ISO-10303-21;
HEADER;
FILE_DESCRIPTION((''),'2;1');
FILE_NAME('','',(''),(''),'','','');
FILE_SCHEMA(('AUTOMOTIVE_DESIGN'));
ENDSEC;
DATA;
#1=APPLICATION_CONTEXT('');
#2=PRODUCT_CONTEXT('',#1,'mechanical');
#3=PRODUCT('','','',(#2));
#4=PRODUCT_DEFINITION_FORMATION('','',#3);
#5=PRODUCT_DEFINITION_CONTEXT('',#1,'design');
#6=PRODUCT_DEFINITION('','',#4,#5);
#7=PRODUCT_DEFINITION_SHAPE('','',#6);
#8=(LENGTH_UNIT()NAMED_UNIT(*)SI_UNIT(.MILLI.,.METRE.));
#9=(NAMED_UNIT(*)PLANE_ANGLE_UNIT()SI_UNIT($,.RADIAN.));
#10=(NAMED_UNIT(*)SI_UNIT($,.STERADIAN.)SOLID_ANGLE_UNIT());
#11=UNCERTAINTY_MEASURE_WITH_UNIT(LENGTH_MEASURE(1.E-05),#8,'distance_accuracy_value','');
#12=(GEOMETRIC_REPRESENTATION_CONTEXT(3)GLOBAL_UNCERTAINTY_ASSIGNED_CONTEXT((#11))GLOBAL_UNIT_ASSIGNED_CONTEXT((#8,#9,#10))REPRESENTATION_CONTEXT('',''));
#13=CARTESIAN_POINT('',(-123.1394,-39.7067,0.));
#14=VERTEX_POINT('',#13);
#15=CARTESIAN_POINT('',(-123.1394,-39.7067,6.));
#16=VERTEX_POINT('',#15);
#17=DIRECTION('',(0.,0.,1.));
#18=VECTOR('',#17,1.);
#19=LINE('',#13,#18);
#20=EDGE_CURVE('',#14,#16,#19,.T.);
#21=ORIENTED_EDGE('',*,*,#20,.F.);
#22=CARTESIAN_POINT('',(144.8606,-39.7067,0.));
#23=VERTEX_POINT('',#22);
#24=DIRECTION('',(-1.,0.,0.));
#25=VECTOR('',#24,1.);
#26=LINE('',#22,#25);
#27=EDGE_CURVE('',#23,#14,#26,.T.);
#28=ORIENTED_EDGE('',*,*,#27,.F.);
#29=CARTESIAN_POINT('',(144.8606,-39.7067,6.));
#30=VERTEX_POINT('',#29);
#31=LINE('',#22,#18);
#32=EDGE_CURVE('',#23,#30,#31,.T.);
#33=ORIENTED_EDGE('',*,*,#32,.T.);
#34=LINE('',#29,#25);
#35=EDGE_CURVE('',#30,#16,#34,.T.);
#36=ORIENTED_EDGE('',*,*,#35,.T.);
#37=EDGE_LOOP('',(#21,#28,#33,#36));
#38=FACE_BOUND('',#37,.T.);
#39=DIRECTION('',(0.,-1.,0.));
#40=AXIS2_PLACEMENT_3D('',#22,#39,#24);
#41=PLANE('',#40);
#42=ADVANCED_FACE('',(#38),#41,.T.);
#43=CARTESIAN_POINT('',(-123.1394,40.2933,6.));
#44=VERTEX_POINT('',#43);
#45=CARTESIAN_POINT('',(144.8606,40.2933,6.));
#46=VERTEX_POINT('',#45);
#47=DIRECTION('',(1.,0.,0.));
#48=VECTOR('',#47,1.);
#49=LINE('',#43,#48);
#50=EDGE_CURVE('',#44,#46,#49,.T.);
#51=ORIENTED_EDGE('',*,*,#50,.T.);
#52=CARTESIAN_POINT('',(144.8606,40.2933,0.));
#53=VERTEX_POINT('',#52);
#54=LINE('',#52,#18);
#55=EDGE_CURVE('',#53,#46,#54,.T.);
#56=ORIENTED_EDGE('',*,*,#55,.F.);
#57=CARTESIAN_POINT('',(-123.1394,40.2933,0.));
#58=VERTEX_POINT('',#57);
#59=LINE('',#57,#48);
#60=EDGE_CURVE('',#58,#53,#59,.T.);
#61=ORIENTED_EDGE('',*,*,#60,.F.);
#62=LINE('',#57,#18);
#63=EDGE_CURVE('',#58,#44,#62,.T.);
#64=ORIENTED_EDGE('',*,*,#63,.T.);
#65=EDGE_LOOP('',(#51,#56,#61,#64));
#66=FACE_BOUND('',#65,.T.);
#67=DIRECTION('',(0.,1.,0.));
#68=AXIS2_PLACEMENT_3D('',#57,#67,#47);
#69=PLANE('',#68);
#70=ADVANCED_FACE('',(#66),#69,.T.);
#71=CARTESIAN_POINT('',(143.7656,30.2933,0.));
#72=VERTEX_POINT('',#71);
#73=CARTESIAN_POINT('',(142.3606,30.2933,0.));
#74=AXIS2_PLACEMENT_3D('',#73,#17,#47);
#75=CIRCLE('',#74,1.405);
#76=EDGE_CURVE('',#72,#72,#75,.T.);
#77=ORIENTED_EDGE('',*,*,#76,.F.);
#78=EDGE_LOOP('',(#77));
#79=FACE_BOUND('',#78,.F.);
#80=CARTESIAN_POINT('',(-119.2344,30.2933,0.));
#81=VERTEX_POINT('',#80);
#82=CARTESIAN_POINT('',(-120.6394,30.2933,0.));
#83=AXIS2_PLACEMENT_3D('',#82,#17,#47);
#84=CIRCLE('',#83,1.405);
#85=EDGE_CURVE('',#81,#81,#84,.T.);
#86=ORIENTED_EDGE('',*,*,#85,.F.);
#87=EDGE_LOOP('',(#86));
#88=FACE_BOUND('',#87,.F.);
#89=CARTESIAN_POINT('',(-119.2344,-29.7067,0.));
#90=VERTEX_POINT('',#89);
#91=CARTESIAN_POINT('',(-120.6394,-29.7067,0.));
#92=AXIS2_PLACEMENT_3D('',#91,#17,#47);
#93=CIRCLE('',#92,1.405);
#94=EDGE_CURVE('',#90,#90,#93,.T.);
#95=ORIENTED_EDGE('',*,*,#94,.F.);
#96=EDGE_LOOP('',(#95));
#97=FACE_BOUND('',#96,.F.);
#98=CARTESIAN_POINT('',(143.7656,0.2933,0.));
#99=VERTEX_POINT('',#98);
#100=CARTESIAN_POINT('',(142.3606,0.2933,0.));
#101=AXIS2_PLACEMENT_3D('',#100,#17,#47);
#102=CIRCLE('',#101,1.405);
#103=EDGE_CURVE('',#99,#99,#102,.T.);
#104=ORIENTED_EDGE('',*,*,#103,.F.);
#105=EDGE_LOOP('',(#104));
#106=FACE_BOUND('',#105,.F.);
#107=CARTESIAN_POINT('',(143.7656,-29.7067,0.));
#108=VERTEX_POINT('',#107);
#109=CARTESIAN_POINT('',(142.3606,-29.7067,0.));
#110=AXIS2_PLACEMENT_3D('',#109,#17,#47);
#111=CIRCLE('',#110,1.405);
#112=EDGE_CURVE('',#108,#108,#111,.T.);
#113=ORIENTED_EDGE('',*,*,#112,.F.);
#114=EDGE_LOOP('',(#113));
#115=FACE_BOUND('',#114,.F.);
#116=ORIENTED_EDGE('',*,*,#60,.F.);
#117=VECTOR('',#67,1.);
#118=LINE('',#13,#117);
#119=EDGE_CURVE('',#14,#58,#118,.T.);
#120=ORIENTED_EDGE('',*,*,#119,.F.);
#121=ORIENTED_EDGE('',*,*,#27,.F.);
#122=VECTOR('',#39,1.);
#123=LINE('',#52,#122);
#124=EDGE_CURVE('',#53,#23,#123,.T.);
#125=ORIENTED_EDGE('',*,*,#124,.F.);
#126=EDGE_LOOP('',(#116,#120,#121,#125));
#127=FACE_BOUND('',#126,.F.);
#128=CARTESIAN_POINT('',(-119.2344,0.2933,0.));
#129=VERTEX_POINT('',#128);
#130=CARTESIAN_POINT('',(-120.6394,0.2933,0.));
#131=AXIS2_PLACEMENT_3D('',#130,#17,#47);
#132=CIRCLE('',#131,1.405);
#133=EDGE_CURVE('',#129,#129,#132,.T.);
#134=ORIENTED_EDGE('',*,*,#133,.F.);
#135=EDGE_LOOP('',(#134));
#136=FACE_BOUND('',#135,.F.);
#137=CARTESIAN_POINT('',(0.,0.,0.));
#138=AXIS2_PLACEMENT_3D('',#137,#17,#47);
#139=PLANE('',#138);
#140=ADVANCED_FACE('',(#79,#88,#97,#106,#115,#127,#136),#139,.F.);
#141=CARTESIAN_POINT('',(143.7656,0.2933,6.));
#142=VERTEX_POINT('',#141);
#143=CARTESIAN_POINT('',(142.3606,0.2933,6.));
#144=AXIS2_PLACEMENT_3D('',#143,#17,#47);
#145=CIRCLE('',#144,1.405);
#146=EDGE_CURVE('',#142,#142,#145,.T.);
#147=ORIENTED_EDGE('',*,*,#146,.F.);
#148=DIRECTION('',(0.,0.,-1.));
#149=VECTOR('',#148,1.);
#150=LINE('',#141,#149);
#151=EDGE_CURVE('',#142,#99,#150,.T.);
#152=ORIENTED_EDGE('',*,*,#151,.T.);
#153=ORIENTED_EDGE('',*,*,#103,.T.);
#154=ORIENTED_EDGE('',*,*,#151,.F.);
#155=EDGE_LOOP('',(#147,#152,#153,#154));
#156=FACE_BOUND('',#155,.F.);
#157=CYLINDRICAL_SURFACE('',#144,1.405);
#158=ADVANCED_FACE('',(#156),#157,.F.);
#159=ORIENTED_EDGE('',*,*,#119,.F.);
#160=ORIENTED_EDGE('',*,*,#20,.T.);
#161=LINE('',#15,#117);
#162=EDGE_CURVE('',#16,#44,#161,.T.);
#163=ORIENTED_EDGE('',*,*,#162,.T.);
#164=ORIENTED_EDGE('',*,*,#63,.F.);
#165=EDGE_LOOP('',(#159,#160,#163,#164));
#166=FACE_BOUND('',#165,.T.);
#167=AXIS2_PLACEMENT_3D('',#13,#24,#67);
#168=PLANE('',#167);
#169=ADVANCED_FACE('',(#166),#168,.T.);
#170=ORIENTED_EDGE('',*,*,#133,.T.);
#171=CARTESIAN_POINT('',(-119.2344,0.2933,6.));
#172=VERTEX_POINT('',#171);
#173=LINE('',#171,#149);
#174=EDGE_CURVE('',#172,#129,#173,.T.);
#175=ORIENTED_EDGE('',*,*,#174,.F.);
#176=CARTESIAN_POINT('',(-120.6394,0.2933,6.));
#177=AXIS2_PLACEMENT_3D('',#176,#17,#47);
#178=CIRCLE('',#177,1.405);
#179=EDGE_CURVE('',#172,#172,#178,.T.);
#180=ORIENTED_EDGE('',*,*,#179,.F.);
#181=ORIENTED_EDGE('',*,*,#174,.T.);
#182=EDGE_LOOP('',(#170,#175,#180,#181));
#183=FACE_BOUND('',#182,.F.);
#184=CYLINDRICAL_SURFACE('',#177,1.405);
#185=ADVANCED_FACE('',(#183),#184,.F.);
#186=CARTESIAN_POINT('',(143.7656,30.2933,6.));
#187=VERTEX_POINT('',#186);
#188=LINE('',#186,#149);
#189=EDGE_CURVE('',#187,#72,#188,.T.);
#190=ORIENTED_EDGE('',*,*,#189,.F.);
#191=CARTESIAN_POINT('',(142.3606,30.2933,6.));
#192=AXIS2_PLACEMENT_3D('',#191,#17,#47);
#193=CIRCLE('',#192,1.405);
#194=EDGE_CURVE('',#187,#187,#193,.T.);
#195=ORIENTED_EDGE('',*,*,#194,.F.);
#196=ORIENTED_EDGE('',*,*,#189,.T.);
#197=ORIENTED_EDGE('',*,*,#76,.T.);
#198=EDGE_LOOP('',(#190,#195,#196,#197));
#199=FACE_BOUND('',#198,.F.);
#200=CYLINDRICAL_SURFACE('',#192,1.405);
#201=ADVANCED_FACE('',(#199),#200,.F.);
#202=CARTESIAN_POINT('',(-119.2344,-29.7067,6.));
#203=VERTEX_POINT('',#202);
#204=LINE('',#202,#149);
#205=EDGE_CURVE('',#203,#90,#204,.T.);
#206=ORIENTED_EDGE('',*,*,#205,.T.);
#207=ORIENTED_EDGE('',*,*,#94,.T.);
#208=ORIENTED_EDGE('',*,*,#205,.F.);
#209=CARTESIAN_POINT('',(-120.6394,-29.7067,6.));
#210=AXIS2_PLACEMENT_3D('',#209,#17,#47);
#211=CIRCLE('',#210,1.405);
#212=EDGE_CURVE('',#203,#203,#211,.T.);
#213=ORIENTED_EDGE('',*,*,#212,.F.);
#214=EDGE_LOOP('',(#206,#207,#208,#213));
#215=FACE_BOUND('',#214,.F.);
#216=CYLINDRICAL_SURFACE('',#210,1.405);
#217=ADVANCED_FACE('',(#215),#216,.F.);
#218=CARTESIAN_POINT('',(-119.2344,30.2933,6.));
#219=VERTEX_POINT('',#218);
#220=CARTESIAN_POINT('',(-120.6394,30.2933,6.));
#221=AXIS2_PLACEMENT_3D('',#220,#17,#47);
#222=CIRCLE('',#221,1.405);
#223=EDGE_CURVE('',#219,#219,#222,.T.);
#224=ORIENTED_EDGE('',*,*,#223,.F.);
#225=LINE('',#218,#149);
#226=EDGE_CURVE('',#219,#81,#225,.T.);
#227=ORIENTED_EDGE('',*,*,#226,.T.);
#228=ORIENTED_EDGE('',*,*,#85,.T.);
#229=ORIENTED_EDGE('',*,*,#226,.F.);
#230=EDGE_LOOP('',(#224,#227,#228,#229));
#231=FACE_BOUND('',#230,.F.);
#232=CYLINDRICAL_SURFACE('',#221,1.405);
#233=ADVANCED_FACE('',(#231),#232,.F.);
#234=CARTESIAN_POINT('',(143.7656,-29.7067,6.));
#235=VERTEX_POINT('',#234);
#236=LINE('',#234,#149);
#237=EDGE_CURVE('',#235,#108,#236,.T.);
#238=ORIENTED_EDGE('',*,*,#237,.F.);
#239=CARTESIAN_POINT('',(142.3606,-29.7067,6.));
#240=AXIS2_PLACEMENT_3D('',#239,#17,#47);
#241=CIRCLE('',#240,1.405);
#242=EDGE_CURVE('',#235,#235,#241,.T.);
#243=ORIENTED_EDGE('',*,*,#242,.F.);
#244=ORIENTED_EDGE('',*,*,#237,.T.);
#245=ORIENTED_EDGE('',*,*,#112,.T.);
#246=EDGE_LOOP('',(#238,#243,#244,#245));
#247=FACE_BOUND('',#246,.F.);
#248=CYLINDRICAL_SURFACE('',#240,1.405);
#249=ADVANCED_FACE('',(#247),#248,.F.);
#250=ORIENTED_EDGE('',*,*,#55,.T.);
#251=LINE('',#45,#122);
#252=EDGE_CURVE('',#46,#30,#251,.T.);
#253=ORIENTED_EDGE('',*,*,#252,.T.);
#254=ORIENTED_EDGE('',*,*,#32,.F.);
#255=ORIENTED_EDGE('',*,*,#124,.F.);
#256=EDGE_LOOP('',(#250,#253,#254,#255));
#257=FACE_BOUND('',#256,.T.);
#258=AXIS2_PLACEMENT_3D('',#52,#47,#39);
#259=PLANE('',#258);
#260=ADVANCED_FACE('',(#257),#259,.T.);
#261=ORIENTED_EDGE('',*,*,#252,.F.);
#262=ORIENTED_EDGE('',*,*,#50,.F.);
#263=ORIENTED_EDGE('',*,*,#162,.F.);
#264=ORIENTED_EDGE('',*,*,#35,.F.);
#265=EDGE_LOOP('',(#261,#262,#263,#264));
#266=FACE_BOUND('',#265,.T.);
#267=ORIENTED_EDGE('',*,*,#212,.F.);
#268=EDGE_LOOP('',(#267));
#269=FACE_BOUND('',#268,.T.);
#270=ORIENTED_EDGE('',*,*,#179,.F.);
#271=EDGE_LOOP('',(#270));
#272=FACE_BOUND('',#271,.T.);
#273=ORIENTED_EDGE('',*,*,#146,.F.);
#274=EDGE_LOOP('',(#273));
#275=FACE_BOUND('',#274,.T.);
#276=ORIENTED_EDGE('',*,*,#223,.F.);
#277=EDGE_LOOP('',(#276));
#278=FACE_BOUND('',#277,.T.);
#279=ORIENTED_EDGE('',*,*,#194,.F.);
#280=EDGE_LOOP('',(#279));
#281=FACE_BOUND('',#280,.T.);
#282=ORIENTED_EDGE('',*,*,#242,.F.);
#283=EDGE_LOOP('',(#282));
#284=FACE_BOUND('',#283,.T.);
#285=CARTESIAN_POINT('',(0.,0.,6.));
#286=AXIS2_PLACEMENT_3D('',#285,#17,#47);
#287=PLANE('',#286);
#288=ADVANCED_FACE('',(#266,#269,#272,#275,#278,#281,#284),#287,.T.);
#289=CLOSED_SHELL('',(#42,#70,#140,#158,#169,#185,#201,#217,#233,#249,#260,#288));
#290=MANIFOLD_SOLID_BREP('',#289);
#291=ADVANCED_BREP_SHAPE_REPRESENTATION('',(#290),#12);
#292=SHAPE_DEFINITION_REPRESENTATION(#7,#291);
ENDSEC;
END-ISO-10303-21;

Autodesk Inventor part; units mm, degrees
ref_plane "YZ Plane" through (0, 0, 0) normal (1, 0, 0) x (0, 1, 0)
ref_plane "XZ Plane" through (0, 0, 0) normal (0, 1, 0) x (-1, 0, 0)
ref_plane "XY Plane" through (0, 0, 0) normal (0, 0, 1) x (1, 0, 0)
sketch "Sketch1" plane through (0, 0, 0) normal (0, 0, 1) x (1, 0, 0)
  line L0 (-123.1394, 40.2933) -> (144.8606, 40.2933)
  line L1 (144.8606, 40.2933) -> (144.8606, -39.7067)
  line L2 (144.8606, -39.7067) -> (-123.1394, -39.7067)
  line L3 (-123.1394, -39.7067) -> (-123.1394, 40.2933)
  point P0 (0, 0)
  dimension "d0" = 268
  dimension "d1" = 80
extrude "Extrusion1" add sketch "Sketch1" along normal blind 6
sketch "Sketch2" plane through (0, 0, 6) normal (0, 0, 1) x (1, 0, 0)
  circle A0 centre (-120.6394, 30.2933) radius 1.405
  line L0 (-123.1394, 40.2933) -> (-123.1394, -39.7067) projected
  line L1 (144.8606, 40.2933) -> (-123.1394, 40.2933) projected
  point P0 (0, 0)
  dimension "d4" = 2.81
  dimension "d5" = 2.5
  dimension "d6" = 10
extrude "Extrusion2" cut sketch "Sketch2" against normal blind 10
pattern_linear "Rectangular Pattern1" count 3 spacing 30 along (0, -1, 0) count 2 spacing -263 along (-1, 0, 0) of "Extrusion2"
equation "\"d0\" = -2 * CornerOffset + BoxLength - 2 * SheetThickness"
equation "\"d1\" = BoxHeight"
equation "\"d2\" = SheetThickness"
equation "\"d4\" = M3Hole"
equation "\"d5\" = HoleOffset"
equation "\"BoxHeight\" = 80"
equation "\"SheetThickness\" = 6"
equation "\"CornerOffset\" = 5"
equation "\"M3Hole\" = 2.81"
equation "\"HoleOffset\" = 2.5"
equation "\"BoxLength\" = 290"
properties part number "cab_L_B"
